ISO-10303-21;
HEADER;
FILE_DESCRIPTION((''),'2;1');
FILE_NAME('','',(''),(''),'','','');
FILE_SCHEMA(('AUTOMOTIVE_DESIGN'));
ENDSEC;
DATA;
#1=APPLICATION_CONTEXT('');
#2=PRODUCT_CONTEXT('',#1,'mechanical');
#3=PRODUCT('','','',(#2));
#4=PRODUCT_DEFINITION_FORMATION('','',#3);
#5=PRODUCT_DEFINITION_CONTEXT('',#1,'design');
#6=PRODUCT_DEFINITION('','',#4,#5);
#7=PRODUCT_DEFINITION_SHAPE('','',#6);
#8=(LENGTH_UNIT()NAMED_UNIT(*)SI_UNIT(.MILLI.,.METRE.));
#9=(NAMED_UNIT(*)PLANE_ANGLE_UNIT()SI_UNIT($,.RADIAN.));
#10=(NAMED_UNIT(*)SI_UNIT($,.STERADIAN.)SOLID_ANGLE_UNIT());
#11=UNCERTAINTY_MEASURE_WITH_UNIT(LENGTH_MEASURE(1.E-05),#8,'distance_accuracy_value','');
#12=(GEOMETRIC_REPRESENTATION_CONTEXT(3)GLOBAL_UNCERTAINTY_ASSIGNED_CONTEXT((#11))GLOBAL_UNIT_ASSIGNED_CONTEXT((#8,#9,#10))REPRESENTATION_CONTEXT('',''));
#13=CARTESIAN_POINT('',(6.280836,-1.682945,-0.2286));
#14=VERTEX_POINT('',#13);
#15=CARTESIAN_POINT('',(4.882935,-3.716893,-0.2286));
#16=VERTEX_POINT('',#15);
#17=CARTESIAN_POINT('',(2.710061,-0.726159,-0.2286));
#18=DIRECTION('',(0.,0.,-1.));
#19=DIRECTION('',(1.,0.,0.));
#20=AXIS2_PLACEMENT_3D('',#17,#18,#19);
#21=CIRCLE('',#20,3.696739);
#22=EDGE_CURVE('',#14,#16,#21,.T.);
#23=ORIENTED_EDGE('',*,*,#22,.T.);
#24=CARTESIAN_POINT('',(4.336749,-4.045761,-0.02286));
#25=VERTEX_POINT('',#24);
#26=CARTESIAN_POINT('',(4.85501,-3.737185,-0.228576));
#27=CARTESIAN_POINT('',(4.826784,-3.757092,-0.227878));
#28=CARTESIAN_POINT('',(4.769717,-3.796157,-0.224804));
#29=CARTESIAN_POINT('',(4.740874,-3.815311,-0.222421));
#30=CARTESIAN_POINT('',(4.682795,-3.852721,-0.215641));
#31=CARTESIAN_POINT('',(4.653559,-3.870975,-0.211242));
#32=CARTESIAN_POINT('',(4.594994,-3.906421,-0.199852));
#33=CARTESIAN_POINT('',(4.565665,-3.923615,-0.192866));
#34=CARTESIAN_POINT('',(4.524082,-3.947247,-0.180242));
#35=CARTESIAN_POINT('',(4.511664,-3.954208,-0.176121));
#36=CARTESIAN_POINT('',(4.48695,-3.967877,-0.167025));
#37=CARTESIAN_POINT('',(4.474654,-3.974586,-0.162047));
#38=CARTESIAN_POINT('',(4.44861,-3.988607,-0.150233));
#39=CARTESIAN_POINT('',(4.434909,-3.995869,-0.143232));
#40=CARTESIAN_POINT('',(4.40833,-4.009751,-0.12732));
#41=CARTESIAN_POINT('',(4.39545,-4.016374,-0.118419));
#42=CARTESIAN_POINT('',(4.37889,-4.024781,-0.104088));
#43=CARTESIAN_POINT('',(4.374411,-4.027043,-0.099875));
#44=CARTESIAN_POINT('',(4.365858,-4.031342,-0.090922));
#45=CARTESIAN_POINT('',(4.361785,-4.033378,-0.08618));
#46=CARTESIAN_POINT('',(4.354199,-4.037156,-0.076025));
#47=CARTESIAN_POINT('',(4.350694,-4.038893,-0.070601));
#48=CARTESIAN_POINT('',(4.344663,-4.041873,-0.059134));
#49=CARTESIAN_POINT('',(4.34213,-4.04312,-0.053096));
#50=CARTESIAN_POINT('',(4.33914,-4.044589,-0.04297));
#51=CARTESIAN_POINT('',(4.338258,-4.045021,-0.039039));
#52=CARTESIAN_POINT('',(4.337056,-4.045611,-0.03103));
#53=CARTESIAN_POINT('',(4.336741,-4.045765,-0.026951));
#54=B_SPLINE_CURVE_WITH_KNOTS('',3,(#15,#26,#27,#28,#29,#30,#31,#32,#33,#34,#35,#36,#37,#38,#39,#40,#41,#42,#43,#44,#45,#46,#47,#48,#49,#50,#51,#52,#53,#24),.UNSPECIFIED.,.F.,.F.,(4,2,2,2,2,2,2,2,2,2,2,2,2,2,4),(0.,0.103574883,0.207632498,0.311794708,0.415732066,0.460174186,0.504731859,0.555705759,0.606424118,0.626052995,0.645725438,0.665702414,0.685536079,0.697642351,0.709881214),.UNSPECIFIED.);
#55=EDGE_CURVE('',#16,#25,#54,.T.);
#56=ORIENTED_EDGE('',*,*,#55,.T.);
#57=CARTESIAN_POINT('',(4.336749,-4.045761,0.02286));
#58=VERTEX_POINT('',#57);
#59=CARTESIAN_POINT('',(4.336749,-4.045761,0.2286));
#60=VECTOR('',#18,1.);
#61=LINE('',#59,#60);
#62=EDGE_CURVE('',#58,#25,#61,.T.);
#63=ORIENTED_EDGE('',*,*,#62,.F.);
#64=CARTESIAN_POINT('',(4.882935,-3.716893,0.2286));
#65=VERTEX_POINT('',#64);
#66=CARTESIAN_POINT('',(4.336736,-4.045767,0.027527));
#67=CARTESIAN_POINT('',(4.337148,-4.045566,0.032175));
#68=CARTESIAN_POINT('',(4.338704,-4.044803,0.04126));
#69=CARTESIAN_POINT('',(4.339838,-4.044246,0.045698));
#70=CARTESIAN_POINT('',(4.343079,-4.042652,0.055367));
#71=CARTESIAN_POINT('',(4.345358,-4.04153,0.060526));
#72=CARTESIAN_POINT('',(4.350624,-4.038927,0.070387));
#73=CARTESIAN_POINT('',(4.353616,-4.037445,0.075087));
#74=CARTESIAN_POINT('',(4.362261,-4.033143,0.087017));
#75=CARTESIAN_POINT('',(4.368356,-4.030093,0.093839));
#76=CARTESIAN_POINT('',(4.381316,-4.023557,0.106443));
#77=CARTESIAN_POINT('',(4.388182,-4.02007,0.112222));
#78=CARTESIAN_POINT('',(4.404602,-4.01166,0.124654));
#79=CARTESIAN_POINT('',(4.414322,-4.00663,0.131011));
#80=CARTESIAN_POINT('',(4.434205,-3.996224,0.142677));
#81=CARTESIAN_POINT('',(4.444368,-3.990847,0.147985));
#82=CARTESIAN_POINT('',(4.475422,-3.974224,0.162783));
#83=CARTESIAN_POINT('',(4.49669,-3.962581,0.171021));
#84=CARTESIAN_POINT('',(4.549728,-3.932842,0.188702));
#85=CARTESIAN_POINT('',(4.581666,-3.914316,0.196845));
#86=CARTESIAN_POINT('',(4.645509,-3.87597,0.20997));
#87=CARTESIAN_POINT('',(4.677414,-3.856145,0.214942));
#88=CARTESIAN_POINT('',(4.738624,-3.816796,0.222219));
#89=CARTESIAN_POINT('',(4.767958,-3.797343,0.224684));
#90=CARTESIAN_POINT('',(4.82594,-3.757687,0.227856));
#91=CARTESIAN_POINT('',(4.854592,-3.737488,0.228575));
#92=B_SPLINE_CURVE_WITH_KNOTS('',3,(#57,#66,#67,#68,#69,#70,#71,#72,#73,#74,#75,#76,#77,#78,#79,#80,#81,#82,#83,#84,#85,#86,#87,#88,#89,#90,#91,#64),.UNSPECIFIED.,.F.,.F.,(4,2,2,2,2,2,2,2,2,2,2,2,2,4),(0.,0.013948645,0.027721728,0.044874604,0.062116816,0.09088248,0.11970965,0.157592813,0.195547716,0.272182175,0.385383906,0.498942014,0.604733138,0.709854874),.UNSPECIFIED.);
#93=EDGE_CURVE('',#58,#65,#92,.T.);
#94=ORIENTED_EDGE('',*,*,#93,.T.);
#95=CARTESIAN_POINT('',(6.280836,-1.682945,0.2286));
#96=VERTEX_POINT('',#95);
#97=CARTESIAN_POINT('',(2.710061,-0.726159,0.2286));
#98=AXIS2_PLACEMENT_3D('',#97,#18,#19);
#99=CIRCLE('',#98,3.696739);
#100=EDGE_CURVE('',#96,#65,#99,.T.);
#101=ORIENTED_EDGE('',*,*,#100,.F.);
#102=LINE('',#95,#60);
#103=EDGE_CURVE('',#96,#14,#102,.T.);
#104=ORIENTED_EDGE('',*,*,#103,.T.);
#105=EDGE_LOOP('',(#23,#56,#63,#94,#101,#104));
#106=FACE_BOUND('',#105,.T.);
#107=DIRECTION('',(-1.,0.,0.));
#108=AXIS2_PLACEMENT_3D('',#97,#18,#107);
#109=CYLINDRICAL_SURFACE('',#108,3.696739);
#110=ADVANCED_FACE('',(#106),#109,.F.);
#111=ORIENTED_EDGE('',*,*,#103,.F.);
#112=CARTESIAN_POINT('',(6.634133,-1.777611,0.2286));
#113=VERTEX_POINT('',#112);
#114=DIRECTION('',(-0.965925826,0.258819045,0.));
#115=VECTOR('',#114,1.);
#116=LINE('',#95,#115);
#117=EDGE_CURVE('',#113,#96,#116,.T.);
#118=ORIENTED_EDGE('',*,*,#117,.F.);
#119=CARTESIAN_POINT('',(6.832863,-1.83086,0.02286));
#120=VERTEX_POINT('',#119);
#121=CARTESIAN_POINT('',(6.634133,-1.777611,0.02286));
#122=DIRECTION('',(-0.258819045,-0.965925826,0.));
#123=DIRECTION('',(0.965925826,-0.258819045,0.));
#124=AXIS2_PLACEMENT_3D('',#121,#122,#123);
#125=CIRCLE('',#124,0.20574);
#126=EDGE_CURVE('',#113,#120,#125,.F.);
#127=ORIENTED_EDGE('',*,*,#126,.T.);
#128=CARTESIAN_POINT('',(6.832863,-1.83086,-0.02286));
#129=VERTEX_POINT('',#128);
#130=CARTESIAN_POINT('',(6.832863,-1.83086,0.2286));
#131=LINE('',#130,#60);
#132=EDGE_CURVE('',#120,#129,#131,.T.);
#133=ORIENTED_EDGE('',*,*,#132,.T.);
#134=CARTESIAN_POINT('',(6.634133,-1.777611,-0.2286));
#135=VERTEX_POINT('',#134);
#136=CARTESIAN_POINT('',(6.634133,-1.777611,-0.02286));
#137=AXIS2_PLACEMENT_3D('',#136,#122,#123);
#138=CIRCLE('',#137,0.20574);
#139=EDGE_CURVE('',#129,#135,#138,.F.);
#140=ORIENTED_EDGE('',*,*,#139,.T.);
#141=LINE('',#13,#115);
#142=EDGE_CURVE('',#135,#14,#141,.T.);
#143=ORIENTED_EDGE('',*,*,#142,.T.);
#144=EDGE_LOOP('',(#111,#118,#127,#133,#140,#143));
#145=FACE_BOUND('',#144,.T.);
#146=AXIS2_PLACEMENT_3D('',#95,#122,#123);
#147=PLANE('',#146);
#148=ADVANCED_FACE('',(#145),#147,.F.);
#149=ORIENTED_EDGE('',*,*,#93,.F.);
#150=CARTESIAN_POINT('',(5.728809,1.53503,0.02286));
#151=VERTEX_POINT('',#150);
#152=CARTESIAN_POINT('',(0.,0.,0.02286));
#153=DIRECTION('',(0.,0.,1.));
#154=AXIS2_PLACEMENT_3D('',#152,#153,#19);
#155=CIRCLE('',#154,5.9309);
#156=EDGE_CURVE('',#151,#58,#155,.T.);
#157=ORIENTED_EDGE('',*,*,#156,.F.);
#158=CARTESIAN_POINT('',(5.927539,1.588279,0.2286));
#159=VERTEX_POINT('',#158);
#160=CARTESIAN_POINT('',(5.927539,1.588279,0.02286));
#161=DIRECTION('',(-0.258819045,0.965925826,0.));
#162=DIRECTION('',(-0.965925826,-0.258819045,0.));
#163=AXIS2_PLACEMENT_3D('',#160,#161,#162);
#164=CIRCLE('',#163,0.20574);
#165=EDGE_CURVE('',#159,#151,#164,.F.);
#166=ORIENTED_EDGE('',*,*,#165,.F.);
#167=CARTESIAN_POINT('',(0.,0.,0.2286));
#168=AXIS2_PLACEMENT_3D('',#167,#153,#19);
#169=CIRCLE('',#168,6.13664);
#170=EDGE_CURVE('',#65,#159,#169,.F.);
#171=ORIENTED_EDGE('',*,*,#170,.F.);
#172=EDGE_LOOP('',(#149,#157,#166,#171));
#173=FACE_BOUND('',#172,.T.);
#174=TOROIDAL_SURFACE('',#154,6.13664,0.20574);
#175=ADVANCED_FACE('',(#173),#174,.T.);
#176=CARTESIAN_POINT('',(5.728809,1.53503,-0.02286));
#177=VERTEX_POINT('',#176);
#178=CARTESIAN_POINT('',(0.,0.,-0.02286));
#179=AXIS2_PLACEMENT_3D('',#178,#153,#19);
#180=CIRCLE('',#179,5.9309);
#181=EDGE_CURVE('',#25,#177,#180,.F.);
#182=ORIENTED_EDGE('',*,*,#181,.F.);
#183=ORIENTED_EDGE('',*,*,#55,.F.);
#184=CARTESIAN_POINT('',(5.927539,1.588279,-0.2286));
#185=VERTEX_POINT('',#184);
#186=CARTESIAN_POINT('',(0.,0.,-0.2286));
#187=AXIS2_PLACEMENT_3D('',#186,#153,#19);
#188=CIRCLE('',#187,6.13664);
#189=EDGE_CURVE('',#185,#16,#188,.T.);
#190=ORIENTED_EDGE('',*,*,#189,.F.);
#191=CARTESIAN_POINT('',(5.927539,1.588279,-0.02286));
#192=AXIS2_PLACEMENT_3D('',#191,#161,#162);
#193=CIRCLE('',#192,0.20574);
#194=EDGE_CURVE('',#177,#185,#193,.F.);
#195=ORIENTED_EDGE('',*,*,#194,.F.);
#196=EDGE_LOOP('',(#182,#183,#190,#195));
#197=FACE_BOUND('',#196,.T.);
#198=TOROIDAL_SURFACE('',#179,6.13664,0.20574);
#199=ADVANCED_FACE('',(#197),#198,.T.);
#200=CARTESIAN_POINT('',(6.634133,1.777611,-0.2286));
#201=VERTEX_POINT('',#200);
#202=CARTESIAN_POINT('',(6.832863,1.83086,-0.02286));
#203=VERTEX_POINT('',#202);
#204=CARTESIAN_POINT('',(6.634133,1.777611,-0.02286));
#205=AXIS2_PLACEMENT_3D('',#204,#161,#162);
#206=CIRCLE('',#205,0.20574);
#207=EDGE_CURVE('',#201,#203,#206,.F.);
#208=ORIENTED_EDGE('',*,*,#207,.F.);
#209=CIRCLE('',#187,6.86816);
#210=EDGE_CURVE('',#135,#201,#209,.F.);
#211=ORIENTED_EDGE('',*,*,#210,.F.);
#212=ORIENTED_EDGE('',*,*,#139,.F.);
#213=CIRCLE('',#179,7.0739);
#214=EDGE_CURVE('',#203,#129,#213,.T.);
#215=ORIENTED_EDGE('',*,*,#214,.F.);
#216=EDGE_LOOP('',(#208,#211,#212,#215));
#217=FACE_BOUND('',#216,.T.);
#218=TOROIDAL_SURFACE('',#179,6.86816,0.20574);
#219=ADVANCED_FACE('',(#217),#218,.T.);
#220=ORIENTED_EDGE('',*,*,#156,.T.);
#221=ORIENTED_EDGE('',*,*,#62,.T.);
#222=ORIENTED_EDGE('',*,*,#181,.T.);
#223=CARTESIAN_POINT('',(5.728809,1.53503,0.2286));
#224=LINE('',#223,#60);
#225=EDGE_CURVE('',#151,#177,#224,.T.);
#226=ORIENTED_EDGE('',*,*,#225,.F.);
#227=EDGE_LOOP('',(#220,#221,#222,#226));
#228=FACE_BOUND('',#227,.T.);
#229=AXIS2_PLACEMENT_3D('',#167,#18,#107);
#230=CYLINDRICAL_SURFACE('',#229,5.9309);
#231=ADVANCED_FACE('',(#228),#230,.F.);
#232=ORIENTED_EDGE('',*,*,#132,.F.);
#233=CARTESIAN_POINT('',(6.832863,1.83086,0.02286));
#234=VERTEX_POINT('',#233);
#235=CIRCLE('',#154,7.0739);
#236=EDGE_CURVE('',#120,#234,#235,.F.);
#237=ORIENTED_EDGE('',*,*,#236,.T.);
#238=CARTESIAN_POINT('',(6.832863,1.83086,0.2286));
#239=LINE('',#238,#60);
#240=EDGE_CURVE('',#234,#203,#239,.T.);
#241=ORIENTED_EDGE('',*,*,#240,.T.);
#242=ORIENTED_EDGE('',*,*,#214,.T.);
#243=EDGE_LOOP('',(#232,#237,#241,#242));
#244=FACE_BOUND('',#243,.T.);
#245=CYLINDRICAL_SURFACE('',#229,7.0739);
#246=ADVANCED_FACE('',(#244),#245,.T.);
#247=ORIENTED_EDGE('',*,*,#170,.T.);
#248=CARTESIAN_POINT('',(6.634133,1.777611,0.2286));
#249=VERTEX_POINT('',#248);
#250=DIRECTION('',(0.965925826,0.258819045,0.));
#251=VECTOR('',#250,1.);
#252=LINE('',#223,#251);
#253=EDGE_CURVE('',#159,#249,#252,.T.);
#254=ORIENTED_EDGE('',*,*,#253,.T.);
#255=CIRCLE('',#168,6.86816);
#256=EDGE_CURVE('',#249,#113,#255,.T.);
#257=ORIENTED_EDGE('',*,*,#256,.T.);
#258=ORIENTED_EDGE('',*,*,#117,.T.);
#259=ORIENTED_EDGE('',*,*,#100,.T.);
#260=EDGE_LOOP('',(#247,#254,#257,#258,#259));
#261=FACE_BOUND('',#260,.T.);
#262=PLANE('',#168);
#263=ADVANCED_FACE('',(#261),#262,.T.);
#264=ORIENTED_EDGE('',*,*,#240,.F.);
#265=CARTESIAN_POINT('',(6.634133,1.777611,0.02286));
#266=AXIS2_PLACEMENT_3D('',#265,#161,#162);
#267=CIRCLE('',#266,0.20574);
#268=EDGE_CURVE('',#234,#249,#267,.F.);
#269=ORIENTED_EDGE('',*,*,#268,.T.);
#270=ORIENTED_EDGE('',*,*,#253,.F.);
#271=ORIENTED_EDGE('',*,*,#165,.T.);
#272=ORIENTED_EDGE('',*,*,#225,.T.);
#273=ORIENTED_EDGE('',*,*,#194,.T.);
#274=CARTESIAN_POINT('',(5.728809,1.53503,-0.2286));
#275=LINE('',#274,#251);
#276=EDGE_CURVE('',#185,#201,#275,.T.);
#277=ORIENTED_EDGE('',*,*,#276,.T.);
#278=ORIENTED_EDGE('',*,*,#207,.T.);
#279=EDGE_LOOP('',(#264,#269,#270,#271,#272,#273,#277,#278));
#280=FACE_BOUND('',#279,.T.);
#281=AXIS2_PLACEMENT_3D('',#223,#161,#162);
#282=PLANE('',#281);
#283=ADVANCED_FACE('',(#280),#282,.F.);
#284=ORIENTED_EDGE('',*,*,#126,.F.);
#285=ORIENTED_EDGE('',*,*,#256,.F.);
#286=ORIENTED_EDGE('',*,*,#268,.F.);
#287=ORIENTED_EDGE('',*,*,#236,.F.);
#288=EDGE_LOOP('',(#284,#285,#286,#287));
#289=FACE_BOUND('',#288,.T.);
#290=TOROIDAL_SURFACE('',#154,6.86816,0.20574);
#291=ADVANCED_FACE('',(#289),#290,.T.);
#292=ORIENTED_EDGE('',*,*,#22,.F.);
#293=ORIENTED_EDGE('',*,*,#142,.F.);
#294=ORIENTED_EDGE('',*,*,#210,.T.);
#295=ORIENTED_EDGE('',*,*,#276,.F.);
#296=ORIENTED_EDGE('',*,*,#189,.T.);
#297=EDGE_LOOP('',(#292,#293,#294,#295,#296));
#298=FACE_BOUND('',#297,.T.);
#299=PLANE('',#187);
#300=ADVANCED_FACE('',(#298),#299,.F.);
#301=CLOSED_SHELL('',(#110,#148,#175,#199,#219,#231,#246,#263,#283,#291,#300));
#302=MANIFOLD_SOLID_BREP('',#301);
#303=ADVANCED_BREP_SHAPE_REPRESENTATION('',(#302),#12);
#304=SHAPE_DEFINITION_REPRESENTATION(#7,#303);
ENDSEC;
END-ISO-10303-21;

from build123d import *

# Parameters (mm, degrees)
EXTRUDE1_DEPTH = 0.2286
FILLET1_R      = 0.20574


with BuildPart() as part:
    # Sketch2 → Extrude1 (new, symmetric)
    with BuildSketch(Plane.XY):
        with BuildLine():
            Line((6.280836093, -1.682944959), (6.832862703, -1.830860043))
            ThreePointArc((6.832862703, -1.830860043), (-7.0739, 0), (6.832862703, 1.830860043))
            Line((6.832862703, 1.830860043), (5.728809483, 1.535029875))
            ThreePointArc((5.728809483, 1.535029875), (-5.754578473, 1.435409842), (4.336748761, -4.045761362))
            ThreePointArc((4.336748761, -4.045761362), (5.564729157, -3.074933786), (6.280836093, -1.682944959))
        make_face()
    extrude(amount=EXTRUDE1_DEPTH, both=True)

    # Fillet1
    fillet1_edges = [part.edges().sort_by_distance(p)[0] for p in [
        (-7.0739, 0, 0.2286),
        (-5.754578473, 1.435409842, 0.2286),
        (-7.0739, 0, -0.2286),
        (-5.754578473, 1.435409842, -0.2286),
    ]]
    fillet(fillet1_edges, radius=FILLET1_R)


solid = part.part
